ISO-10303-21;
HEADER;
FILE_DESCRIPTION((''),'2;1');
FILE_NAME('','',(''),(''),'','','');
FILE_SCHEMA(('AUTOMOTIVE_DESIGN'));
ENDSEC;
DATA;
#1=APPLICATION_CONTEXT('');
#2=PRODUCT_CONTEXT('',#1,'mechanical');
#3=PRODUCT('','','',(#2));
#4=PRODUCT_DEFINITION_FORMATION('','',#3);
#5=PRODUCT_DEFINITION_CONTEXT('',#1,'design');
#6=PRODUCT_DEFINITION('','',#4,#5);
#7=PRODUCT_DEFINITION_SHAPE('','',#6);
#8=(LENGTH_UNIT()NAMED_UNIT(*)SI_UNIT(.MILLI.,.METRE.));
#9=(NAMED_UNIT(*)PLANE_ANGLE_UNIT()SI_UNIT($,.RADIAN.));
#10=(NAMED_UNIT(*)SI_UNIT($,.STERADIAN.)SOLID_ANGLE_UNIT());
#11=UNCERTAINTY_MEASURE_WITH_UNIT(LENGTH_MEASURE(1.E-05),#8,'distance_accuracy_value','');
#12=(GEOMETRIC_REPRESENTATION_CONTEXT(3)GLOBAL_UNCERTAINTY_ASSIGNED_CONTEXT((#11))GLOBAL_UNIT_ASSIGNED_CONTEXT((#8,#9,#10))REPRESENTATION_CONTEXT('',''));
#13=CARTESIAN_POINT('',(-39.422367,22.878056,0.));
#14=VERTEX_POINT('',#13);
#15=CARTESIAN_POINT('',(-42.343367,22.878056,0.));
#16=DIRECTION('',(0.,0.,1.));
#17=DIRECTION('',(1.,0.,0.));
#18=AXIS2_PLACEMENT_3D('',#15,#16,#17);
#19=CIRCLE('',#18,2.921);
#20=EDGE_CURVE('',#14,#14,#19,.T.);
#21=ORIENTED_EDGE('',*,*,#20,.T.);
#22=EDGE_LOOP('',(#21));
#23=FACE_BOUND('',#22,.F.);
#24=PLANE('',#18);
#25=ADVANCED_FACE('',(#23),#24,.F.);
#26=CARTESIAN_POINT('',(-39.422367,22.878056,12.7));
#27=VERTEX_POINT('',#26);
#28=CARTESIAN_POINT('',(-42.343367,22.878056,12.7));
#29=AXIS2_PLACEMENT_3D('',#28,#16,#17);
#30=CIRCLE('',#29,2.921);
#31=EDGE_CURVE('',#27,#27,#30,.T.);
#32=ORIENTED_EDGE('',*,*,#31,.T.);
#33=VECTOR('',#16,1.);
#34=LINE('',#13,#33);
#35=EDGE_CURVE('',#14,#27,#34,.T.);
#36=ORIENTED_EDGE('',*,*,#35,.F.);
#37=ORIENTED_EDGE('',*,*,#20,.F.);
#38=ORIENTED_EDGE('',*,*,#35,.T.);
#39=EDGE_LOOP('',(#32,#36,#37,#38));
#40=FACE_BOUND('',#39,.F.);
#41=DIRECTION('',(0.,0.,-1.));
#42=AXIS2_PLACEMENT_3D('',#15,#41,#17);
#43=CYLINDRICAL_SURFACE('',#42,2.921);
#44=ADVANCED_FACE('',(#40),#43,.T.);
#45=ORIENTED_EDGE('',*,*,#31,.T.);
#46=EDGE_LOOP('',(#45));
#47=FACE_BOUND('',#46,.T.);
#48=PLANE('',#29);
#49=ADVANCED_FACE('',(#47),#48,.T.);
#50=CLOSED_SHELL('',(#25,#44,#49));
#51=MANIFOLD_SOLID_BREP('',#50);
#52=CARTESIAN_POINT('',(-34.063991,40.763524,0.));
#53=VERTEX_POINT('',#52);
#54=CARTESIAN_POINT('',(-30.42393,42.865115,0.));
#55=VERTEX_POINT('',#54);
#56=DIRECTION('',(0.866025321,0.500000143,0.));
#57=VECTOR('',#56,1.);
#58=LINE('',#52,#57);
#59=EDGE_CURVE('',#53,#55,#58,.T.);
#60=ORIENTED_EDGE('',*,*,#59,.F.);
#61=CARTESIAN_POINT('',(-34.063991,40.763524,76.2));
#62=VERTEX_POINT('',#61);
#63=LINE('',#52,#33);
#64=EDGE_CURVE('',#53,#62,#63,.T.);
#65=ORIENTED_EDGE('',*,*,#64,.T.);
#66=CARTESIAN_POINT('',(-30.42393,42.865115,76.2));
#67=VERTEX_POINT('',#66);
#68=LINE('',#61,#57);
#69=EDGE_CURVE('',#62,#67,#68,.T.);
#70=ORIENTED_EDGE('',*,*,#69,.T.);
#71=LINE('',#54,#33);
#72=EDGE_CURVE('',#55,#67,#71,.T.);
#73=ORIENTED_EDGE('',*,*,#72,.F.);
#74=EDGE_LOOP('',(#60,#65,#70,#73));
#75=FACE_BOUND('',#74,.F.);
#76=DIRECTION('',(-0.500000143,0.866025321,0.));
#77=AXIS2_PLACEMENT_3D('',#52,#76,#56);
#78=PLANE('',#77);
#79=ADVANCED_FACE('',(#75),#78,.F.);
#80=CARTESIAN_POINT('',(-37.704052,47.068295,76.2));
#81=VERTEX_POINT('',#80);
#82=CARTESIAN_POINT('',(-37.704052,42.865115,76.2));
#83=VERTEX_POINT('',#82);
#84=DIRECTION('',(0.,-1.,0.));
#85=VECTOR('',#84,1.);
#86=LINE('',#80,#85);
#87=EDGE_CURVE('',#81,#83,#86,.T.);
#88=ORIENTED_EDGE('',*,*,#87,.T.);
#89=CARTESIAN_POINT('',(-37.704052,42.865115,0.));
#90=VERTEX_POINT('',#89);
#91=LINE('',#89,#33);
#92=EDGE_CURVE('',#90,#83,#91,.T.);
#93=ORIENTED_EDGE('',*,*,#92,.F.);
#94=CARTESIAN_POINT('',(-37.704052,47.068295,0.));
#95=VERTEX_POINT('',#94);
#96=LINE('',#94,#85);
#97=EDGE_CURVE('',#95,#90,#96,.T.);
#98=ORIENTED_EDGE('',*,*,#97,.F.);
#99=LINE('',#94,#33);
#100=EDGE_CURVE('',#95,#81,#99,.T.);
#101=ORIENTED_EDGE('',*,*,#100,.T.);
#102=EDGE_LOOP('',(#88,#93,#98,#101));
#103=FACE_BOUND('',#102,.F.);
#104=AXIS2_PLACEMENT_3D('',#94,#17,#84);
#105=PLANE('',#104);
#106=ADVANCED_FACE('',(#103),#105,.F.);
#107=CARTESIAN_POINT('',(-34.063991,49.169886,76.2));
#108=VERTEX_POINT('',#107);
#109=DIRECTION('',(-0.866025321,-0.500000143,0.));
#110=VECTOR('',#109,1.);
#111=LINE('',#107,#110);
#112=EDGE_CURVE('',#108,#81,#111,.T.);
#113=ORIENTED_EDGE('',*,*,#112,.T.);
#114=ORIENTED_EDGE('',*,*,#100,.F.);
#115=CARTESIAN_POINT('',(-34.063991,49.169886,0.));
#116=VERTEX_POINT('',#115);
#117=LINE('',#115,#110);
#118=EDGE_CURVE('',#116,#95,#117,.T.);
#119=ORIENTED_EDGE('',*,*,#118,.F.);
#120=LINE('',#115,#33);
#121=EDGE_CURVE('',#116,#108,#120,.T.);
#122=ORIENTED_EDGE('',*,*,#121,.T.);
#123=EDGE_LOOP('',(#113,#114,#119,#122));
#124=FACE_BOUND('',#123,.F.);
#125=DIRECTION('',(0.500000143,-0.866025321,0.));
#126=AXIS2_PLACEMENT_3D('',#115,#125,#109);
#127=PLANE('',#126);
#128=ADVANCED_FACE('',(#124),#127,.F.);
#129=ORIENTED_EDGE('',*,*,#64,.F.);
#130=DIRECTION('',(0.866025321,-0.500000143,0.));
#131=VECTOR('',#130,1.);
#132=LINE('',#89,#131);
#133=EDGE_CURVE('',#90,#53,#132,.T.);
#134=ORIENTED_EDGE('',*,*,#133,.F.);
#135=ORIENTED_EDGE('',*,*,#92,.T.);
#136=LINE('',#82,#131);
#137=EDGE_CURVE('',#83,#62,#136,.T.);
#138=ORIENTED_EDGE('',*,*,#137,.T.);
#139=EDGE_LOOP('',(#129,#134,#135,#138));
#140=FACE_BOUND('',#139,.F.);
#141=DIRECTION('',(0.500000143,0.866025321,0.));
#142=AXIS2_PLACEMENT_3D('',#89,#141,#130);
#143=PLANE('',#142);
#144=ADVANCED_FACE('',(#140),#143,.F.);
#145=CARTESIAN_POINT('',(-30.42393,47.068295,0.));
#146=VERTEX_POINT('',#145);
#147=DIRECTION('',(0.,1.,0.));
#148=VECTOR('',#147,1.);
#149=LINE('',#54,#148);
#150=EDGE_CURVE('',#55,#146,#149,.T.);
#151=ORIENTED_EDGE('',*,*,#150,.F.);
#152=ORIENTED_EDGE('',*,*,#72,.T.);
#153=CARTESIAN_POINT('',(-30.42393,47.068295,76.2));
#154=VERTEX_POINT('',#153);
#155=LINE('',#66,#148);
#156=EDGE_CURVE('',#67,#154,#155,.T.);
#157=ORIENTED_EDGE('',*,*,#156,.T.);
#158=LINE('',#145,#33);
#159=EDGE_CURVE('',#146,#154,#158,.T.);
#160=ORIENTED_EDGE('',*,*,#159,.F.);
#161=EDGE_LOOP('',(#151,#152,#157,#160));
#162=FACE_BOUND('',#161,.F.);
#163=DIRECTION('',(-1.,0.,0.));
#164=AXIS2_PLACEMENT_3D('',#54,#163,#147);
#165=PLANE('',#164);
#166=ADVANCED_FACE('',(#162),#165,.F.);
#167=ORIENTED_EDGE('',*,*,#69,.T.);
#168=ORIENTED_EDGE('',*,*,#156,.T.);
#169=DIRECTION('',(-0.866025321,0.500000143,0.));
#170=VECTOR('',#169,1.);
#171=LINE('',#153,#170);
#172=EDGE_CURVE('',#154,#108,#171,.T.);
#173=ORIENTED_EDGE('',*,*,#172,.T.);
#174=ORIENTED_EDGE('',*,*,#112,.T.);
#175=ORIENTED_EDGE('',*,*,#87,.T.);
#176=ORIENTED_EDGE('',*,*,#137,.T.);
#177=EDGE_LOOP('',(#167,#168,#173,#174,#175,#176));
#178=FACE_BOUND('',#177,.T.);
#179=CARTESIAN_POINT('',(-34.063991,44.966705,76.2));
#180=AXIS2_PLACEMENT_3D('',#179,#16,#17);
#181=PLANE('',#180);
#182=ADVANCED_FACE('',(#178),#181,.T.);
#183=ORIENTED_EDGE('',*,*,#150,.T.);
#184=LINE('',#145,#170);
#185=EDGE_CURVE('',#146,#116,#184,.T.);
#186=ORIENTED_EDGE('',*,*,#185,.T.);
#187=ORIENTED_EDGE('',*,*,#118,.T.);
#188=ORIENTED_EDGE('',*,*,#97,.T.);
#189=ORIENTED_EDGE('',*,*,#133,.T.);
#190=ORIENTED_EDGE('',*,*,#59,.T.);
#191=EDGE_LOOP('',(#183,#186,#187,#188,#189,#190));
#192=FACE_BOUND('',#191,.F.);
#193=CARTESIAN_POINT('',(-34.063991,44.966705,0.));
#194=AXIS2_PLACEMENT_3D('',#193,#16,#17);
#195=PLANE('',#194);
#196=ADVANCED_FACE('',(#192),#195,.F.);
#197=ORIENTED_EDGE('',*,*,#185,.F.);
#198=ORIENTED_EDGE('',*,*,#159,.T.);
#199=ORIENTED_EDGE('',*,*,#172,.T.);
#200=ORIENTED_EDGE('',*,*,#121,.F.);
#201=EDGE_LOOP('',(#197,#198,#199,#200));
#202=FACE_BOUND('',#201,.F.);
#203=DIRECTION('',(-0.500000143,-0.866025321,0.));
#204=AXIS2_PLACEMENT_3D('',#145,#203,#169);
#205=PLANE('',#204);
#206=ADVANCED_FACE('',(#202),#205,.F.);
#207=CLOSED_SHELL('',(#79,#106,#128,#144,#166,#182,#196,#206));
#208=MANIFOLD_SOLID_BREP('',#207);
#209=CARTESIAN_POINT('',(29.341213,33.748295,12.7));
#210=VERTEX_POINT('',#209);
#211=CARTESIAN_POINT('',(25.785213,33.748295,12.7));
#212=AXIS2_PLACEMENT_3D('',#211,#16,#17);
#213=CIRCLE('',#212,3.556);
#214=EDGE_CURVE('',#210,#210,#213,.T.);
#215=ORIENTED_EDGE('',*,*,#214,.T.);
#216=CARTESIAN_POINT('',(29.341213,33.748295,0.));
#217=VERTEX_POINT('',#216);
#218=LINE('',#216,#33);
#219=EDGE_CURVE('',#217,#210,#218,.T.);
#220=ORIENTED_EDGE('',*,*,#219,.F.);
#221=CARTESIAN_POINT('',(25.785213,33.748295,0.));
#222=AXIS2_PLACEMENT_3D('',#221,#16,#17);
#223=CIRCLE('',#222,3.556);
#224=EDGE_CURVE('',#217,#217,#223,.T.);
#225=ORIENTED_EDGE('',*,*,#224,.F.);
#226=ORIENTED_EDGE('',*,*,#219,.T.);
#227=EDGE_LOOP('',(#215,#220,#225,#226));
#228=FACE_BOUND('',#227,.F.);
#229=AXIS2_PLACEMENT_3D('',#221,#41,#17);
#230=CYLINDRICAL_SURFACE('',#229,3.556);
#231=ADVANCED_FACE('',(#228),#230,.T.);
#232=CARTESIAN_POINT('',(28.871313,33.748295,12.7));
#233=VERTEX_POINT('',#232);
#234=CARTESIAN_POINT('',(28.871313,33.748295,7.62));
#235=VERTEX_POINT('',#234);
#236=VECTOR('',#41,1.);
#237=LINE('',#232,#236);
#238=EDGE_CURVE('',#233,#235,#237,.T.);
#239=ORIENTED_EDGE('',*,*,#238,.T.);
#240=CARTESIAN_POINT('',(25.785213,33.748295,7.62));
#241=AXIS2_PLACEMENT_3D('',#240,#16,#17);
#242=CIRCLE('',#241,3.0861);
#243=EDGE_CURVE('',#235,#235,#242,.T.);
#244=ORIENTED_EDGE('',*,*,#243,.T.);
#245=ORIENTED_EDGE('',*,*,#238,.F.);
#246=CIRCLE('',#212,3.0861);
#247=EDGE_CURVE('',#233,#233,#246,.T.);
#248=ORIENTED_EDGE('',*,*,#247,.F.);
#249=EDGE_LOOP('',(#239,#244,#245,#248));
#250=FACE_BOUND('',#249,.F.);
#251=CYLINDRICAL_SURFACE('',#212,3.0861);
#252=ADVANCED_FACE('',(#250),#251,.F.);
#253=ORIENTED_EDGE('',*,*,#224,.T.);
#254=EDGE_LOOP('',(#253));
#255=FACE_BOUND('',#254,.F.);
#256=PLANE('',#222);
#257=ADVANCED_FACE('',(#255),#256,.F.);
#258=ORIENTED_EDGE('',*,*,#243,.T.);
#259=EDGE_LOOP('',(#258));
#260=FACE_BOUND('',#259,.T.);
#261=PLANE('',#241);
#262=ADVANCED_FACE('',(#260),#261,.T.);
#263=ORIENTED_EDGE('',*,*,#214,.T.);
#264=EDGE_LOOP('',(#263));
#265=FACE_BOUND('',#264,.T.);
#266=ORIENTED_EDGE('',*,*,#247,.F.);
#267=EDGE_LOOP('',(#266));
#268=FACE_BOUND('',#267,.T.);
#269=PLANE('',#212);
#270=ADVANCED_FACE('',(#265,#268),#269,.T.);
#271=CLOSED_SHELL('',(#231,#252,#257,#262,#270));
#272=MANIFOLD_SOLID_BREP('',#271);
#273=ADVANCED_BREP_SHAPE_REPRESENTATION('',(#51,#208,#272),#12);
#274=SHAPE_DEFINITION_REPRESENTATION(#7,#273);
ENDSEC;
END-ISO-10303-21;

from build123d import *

# Parameters (mm, degrees)
F1_DEPTH = 76.2
F2_R     = 3.556
F3_DEPTH = 12.7
F4_R     = 3.0861
F5_DEPTH = 5.08
F6_R     = 2.921
F7_DEPTH = 12.7


with BuildPart() as f1:
    # F0 (on Top) → F1 (new body)
    with BuildSketch(Plane.XY):
        Polygon((-30.42393, 42.865115), (-30.42393, 47.068295), (-34.063991, 49.169886), (-37.704052, 47.068295), (-37.704052, 42.865115), (-34.063991, 40.763524), align=None)
    extrude(amount=F1_DEPTH)


with BuildPart() as f3:
    # F2 (on Top) → F3 (new body)
    with BuildSketch(Plane.XY):
        with Locations((25.785213, 33.748295)):
            Circle(F2_R)
    extrude(amount=F3_DEPTH)

    # F4 (on face) → F5 (cut)
    with BuildSketch(Plane.XY.offset(12.7)):
        with Locations((25.785213, 33.748295)):
            Circle(F4_R)
    extrude(amount=-F5_DEPTH, mode=Mode.SUBTRACT)


with BuildPart() as f7:
    # F6 (on Top) → F7 (new body)
    with BuildSketch(Plane.XY):
        with Locations((-42.343367, 22.878056)):
            Circle(F6_R)
    extrude(amount=F7_DEPTH)


solid = Compound([f1.part, f3.part, f7.part])
